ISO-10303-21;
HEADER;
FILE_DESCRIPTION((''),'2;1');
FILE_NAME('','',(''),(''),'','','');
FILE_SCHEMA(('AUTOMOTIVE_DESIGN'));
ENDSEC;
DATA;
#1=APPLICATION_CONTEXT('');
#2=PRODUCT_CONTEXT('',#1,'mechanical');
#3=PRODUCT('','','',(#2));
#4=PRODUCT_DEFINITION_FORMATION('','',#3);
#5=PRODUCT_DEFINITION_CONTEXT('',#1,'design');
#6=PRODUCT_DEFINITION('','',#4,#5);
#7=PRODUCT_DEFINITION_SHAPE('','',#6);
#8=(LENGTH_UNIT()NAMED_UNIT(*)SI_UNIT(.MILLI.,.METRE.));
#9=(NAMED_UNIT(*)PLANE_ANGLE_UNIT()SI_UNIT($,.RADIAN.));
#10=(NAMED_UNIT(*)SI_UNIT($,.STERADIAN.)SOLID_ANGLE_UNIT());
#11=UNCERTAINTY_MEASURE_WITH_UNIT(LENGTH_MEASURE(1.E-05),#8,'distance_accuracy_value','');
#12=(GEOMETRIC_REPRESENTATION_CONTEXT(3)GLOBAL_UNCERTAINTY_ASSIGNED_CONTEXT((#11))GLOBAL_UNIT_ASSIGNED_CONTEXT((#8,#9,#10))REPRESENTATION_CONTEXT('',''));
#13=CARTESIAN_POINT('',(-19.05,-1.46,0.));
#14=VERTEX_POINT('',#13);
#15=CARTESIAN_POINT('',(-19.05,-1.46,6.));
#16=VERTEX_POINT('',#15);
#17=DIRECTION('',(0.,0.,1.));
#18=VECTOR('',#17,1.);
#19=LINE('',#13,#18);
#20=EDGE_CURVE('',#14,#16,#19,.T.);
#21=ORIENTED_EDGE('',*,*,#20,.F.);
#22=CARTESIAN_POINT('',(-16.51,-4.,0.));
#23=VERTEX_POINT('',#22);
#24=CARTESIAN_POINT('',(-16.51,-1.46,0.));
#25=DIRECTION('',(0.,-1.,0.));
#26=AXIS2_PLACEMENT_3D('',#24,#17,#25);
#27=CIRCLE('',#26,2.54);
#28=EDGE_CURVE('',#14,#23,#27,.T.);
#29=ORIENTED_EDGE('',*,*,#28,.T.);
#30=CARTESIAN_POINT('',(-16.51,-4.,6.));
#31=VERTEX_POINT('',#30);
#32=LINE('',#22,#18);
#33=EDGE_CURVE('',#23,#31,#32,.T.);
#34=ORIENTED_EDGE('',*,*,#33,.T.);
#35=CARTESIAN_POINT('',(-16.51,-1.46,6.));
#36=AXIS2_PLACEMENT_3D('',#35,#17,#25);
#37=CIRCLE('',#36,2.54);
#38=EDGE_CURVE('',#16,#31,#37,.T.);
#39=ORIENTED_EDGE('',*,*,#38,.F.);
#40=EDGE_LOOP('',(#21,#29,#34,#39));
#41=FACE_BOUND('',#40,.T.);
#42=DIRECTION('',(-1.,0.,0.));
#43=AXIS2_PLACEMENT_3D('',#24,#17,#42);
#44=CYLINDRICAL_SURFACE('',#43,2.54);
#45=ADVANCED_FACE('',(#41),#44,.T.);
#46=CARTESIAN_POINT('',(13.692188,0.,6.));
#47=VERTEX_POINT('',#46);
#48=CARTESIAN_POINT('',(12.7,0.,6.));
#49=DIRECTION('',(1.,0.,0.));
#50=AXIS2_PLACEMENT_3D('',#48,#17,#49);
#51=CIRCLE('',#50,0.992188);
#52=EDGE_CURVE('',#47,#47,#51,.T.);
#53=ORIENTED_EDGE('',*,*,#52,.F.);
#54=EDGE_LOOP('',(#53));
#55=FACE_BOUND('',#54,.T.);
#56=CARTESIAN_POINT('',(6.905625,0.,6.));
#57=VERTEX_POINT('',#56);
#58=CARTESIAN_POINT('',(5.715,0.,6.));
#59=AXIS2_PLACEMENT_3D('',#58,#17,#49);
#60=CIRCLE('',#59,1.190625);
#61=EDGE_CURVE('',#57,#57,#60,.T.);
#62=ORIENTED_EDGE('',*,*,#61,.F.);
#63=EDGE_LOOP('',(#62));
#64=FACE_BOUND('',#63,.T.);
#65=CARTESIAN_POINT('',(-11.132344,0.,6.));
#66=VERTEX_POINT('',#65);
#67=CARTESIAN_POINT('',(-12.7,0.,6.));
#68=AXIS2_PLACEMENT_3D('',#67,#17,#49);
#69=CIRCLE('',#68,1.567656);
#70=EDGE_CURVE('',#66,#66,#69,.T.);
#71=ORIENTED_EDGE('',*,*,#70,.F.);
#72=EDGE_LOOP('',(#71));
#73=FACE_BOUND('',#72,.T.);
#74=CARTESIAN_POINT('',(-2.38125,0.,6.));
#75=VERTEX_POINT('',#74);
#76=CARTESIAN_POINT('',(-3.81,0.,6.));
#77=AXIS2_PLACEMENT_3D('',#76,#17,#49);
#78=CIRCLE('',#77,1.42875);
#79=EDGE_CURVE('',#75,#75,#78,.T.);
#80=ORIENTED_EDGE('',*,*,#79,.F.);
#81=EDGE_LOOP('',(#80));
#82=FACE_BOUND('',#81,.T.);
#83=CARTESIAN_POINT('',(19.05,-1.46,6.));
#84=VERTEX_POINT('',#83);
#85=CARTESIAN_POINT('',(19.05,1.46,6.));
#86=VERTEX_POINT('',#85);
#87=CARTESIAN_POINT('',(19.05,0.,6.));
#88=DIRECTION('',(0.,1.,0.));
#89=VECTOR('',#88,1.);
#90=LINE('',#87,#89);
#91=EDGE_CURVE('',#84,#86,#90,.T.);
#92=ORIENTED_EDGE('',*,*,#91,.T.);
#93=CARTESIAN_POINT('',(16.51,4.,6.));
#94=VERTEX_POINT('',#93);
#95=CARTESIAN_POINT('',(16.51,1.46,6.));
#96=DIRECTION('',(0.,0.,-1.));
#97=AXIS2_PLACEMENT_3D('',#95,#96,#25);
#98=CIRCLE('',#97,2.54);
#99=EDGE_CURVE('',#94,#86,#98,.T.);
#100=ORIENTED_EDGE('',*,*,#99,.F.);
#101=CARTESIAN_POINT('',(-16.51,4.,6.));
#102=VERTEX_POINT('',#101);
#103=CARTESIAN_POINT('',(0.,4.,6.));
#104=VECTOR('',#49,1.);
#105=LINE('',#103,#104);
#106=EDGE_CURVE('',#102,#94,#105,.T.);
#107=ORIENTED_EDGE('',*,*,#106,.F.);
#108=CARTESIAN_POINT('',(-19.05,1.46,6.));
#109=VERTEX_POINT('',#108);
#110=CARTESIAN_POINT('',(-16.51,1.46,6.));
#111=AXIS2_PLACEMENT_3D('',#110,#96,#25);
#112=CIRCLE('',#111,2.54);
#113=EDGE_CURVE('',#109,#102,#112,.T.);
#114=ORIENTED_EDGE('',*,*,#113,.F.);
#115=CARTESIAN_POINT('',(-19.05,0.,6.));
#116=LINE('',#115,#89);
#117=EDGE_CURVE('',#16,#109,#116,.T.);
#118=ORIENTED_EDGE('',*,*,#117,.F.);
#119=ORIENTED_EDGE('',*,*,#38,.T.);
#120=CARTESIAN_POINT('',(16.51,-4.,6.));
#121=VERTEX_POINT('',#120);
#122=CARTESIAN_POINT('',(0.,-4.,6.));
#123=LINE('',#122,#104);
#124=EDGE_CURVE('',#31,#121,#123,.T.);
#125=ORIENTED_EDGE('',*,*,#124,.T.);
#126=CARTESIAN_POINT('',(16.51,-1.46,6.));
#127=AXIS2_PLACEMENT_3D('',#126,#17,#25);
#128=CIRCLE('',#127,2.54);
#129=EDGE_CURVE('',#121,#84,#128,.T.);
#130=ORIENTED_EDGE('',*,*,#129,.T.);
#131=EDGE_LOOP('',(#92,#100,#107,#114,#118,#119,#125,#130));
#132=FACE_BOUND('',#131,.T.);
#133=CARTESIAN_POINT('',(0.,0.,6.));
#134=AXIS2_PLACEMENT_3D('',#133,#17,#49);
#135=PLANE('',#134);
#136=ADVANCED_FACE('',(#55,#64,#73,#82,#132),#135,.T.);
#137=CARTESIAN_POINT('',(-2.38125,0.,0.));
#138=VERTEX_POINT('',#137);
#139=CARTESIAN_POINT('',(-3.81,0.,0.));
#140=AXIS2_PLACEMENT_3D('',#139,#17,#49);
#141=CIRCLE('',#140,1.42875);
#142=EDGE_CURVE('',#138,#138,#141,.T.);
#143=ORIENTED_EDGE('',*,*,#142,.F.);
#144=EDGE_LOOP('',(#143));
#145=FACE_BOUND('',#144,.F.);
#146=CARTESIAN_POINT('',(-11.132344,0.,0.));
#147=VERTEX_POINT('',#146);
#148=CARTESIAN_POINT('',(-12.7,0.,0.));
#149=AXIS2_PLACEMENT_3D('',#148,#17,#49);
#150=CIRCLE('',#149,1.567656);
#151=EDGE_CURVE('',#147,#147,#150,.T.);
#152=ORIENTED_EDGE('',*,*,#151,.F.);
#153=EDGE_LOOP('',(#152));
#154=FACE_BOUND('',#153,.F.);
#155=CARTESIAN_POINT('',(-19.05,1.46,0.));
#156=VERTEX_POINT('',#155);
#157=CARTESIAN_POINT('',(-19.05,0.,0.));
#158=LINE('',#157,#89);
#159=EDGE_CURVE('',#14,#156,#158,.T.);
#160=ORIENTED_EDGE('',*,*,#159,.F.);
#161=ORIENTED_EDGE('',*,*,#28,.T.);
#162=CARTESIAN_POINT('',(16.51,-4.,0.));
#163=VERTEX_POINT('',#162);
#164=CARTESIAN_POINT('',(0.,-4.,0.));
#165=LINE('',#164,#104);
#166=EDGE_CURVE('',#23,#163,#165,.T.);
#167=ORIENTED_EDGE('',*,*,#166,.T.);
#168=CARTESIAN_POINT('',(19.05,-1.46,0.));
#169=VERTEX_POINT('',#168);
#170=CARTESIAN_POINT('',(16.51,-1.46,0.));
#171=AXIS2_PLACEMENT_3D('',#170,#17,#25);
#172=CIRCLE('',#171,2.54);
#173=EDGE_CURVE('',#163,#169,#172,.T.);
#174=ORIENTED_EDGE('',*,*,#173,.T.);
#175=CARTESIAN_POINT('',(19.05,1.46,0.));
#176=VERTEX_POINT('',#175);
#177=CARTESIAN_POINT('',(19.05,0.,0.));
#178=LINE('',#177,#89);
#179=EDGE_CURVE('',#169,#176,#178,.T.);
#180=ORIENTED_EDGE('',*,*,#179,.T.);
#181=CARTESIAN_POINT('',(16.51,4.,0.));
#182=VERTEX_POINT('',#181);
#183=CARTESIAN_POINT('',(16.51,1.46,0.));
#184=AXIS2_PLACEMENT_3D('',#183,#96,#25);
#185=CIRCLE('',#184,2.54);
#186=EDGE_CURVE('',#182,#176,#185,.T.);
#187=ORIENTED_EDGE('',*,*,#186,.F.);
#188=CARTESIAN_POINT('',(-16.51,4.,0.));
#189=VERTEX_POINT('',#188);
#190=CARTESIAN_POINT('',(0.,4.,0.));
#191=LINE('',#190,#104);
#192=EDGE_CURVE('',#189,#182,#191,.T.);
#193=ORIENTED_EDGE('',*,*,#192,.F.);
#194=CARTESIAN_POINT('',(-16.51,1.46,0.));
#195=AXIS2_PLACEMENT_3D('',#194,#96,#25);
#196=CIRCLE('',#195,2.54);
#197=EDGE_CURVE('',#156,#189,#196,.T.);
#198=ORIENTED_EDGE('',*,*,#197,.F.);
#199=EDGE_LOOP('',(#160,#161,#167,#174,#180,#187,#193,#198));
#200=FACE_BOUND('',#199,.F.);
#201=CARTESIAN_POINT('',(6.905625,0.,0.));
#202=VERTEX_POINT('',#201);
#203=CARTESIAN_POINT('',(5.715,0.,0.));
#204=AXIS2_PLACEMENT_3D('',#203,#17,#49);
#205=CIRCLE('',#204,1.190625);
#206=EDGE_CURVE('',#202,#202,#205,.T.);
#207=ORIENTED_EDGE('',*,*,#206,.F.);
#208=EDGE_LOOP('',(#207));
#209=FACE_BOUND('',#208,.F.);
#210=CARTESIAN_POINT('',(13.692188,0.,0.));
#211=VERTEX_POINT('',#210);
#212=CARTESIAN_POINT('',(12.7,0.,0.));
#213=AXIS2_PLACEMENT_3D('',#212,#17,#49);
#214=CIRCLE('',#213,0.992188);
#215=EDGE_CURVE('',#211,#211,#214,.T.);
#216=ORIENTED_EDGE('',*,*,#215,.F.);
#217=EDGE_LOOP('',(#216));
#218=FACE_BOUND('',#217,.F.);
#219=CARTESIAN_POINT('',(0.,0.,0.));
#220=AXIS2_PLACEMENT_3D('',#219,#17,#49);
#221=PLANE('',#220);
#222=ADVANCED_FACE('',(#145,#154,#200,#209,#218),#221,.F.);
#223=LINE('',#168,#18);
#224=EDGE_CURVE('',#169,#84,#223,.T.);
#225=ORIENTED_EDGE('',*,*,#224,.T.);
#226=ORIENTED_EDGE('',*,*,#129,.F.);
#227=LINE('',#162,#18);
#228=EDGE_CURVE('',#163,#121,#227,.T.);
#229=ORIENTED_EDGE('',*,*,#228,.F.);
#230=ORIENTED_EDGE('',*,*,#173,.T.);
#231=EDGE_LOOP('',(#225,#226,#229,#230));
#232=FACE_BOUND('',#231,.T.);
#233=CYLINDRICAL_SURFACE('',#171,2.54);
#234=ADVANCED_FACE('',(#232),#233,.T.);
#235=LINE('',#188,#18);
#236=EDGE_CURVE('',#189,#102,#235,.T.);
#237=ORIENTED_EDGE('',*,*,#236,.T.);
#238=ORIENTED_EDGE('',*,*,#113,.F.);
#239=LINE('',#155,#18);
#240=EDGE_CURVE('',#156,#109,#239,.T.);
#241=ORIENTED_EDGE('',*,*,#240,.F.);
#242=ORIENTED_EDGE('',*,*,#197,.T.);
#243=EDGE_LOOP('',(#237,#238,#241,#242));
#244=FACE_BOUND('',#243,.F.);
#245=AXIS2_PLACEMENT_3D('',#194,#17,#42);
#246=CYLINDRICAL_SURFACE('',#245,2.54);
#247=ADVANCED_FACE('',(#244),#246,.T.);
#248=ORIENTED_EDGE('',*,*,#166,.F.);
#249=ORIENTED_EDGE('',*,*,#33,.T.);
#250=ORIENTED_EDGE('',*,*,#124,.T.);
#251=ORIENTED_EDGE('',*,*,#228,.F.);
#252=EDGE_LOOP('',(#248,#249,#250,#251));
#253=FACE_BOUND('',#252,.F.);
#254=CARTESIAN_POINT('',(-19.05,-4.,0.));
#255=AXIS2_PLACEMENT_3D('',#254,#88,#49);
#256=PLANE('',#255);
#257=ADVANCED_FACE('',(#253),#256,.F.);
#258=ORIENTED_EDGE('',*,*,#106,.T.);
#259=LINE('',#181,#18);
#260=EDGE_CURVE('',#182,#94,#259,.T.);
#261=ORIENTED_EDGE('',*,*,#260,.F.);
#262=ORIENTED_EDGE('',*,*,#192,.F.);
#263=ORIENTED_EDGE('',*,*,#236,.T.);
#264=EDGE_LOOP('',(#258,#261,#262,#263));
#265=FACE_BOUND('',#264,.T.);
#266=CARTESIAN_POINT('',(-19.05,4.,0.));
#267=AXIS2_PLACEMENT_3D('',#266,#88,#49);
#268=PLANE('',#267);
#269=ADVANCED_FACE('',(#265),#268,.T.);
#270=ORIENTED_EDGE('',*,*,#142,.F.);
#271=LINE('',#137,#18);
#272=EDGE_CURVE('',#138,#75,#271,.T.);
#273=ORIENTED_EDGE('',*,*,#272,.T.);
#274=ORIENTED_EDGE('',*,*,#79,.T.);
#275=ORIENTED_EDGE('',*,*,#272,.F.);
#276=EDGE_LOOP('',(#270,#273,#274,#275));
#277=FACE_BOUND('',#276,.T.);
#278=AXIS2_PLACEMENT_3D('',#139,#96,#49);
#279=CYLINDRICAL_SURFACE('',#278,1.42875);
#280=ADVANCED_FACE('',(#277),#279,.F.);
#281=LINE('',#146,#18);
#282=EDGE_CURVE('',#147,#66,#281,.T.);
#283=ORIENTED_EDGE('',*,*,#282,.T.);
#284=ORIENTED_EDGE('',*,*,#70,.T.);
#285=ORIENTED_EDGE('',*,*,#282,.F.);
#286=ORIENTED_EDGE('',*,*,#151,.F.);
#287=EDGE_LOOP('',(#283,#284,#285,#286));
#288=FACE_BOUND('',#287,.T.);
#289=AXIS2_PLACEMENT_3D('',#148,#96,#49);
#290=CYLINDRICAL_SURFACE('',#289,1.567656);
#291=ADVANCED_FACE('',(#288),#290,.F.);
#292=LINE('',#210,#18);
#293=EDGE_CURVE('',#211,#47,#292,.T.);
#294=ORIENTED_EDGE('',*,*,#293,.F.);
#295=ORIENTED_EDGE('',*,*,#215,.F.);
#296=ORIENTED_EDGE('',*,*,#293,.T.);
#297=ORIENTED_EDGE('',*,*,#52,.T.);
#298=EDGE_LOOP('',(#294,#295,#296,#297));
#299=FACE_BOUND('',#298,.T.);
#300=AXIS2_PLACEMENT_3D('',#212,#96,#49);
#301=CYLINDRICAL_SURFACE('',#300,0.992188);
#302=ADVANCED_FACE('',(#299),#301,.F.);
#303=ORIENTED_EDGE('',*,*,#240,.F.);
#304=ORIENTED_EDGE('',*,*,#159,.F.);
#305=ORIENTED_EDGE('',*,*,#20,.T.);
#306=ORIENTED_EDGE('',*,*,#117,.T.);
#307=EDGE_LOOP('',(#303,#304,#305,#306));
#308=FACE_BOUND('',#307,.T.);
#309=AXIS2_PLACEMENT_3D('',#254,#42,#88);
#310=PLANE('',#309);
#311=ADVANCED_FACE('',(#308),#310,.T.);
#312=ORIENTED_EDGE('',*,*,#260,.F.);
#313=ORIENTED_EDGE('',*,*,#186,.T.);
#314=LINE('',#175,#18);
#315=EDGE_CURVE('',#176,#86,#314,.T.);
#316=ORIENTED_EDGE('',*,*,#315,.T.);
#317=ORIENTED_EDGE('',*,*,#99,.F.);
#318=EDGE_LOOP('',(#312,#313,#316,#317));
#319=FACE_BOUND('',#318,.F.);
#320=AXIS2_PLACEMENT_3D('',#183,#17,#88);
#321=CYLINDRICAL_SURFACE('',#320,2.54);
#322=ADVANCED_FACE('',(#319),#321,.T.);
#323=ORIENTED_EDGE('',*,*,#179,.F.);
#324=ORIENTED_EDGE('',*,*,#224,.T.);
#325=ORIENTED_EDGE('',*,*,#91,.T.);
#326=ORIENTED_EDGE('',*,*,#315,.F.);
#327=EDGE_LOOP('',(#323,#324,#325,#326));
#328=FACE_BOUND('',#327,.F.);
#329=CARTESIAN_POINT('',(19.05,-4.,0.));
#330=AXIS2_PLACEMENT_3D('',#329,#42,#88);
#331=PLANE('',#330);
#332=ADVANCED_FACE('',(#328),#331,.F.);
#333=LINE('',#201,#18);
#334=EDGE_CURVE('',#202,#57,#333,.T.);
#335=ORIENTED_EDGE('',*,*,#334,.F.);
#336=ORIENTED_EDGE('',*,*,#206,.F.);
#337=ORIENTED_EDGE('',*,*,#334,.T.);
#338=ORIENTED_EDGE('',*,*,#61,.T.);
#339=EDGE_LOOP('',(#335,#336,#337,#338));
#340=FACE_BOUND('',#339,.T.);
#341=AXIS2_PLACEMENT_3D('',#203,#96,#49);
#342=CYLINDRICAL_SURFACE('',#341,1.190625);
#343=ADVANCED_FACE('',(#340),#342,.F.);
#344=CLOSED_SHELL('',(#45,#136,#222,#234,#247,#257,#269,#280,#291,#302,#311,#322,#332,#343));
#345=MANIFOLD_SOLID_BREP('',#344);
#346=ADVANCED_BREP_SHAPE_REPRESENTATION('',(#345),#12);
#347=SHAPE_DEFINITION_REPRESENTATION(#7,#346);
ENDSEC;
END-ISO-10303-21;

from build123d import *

# Parameters (mm, degrees)
F0_W     = 38.1
F0_H     = 8
F0_R     = 1.567656
F0_R_2   = 1.42875
F0_R_3   = 1.190625
F0_R_4   = 0.992188
F1_DEPTH = 6
F2_R     = 2.54


with BuildPart() as f1:
    # F0 (on Top) → F1 (new body)
    with BuildSketch(Plane.XY):
        Rectangle(F0_W, F0_H)
        with Locations((-12.7, 0)):
            Circle(F0_R, mode=Mode.SUBTRACT)
        with Locations((-3.81, 0)):
            Circle(F0_R_2, mode=Mode.SUBTRACT)
        with Locations((5.715, 0)):
            Circle(F0_R_3, mode=Mode.SUBTRACT)
        with Locations((12.7, 0)):
            Circle(F0_R_4, mode=Mode.SUBTRACT)
    extrude(amount=F1_DEPTH)

    # F2
    f2_edges = [f1.edges().sort_by_distance(p)[0] for p in [
        (-19.05, -4, 3),
        (19.05, -4, 3),
        (19.05, 4, 3),
        (-19.05, 4, 3),
    ]]
    fillet(f2_edges, radius=F2_R)


solid = f1.part
